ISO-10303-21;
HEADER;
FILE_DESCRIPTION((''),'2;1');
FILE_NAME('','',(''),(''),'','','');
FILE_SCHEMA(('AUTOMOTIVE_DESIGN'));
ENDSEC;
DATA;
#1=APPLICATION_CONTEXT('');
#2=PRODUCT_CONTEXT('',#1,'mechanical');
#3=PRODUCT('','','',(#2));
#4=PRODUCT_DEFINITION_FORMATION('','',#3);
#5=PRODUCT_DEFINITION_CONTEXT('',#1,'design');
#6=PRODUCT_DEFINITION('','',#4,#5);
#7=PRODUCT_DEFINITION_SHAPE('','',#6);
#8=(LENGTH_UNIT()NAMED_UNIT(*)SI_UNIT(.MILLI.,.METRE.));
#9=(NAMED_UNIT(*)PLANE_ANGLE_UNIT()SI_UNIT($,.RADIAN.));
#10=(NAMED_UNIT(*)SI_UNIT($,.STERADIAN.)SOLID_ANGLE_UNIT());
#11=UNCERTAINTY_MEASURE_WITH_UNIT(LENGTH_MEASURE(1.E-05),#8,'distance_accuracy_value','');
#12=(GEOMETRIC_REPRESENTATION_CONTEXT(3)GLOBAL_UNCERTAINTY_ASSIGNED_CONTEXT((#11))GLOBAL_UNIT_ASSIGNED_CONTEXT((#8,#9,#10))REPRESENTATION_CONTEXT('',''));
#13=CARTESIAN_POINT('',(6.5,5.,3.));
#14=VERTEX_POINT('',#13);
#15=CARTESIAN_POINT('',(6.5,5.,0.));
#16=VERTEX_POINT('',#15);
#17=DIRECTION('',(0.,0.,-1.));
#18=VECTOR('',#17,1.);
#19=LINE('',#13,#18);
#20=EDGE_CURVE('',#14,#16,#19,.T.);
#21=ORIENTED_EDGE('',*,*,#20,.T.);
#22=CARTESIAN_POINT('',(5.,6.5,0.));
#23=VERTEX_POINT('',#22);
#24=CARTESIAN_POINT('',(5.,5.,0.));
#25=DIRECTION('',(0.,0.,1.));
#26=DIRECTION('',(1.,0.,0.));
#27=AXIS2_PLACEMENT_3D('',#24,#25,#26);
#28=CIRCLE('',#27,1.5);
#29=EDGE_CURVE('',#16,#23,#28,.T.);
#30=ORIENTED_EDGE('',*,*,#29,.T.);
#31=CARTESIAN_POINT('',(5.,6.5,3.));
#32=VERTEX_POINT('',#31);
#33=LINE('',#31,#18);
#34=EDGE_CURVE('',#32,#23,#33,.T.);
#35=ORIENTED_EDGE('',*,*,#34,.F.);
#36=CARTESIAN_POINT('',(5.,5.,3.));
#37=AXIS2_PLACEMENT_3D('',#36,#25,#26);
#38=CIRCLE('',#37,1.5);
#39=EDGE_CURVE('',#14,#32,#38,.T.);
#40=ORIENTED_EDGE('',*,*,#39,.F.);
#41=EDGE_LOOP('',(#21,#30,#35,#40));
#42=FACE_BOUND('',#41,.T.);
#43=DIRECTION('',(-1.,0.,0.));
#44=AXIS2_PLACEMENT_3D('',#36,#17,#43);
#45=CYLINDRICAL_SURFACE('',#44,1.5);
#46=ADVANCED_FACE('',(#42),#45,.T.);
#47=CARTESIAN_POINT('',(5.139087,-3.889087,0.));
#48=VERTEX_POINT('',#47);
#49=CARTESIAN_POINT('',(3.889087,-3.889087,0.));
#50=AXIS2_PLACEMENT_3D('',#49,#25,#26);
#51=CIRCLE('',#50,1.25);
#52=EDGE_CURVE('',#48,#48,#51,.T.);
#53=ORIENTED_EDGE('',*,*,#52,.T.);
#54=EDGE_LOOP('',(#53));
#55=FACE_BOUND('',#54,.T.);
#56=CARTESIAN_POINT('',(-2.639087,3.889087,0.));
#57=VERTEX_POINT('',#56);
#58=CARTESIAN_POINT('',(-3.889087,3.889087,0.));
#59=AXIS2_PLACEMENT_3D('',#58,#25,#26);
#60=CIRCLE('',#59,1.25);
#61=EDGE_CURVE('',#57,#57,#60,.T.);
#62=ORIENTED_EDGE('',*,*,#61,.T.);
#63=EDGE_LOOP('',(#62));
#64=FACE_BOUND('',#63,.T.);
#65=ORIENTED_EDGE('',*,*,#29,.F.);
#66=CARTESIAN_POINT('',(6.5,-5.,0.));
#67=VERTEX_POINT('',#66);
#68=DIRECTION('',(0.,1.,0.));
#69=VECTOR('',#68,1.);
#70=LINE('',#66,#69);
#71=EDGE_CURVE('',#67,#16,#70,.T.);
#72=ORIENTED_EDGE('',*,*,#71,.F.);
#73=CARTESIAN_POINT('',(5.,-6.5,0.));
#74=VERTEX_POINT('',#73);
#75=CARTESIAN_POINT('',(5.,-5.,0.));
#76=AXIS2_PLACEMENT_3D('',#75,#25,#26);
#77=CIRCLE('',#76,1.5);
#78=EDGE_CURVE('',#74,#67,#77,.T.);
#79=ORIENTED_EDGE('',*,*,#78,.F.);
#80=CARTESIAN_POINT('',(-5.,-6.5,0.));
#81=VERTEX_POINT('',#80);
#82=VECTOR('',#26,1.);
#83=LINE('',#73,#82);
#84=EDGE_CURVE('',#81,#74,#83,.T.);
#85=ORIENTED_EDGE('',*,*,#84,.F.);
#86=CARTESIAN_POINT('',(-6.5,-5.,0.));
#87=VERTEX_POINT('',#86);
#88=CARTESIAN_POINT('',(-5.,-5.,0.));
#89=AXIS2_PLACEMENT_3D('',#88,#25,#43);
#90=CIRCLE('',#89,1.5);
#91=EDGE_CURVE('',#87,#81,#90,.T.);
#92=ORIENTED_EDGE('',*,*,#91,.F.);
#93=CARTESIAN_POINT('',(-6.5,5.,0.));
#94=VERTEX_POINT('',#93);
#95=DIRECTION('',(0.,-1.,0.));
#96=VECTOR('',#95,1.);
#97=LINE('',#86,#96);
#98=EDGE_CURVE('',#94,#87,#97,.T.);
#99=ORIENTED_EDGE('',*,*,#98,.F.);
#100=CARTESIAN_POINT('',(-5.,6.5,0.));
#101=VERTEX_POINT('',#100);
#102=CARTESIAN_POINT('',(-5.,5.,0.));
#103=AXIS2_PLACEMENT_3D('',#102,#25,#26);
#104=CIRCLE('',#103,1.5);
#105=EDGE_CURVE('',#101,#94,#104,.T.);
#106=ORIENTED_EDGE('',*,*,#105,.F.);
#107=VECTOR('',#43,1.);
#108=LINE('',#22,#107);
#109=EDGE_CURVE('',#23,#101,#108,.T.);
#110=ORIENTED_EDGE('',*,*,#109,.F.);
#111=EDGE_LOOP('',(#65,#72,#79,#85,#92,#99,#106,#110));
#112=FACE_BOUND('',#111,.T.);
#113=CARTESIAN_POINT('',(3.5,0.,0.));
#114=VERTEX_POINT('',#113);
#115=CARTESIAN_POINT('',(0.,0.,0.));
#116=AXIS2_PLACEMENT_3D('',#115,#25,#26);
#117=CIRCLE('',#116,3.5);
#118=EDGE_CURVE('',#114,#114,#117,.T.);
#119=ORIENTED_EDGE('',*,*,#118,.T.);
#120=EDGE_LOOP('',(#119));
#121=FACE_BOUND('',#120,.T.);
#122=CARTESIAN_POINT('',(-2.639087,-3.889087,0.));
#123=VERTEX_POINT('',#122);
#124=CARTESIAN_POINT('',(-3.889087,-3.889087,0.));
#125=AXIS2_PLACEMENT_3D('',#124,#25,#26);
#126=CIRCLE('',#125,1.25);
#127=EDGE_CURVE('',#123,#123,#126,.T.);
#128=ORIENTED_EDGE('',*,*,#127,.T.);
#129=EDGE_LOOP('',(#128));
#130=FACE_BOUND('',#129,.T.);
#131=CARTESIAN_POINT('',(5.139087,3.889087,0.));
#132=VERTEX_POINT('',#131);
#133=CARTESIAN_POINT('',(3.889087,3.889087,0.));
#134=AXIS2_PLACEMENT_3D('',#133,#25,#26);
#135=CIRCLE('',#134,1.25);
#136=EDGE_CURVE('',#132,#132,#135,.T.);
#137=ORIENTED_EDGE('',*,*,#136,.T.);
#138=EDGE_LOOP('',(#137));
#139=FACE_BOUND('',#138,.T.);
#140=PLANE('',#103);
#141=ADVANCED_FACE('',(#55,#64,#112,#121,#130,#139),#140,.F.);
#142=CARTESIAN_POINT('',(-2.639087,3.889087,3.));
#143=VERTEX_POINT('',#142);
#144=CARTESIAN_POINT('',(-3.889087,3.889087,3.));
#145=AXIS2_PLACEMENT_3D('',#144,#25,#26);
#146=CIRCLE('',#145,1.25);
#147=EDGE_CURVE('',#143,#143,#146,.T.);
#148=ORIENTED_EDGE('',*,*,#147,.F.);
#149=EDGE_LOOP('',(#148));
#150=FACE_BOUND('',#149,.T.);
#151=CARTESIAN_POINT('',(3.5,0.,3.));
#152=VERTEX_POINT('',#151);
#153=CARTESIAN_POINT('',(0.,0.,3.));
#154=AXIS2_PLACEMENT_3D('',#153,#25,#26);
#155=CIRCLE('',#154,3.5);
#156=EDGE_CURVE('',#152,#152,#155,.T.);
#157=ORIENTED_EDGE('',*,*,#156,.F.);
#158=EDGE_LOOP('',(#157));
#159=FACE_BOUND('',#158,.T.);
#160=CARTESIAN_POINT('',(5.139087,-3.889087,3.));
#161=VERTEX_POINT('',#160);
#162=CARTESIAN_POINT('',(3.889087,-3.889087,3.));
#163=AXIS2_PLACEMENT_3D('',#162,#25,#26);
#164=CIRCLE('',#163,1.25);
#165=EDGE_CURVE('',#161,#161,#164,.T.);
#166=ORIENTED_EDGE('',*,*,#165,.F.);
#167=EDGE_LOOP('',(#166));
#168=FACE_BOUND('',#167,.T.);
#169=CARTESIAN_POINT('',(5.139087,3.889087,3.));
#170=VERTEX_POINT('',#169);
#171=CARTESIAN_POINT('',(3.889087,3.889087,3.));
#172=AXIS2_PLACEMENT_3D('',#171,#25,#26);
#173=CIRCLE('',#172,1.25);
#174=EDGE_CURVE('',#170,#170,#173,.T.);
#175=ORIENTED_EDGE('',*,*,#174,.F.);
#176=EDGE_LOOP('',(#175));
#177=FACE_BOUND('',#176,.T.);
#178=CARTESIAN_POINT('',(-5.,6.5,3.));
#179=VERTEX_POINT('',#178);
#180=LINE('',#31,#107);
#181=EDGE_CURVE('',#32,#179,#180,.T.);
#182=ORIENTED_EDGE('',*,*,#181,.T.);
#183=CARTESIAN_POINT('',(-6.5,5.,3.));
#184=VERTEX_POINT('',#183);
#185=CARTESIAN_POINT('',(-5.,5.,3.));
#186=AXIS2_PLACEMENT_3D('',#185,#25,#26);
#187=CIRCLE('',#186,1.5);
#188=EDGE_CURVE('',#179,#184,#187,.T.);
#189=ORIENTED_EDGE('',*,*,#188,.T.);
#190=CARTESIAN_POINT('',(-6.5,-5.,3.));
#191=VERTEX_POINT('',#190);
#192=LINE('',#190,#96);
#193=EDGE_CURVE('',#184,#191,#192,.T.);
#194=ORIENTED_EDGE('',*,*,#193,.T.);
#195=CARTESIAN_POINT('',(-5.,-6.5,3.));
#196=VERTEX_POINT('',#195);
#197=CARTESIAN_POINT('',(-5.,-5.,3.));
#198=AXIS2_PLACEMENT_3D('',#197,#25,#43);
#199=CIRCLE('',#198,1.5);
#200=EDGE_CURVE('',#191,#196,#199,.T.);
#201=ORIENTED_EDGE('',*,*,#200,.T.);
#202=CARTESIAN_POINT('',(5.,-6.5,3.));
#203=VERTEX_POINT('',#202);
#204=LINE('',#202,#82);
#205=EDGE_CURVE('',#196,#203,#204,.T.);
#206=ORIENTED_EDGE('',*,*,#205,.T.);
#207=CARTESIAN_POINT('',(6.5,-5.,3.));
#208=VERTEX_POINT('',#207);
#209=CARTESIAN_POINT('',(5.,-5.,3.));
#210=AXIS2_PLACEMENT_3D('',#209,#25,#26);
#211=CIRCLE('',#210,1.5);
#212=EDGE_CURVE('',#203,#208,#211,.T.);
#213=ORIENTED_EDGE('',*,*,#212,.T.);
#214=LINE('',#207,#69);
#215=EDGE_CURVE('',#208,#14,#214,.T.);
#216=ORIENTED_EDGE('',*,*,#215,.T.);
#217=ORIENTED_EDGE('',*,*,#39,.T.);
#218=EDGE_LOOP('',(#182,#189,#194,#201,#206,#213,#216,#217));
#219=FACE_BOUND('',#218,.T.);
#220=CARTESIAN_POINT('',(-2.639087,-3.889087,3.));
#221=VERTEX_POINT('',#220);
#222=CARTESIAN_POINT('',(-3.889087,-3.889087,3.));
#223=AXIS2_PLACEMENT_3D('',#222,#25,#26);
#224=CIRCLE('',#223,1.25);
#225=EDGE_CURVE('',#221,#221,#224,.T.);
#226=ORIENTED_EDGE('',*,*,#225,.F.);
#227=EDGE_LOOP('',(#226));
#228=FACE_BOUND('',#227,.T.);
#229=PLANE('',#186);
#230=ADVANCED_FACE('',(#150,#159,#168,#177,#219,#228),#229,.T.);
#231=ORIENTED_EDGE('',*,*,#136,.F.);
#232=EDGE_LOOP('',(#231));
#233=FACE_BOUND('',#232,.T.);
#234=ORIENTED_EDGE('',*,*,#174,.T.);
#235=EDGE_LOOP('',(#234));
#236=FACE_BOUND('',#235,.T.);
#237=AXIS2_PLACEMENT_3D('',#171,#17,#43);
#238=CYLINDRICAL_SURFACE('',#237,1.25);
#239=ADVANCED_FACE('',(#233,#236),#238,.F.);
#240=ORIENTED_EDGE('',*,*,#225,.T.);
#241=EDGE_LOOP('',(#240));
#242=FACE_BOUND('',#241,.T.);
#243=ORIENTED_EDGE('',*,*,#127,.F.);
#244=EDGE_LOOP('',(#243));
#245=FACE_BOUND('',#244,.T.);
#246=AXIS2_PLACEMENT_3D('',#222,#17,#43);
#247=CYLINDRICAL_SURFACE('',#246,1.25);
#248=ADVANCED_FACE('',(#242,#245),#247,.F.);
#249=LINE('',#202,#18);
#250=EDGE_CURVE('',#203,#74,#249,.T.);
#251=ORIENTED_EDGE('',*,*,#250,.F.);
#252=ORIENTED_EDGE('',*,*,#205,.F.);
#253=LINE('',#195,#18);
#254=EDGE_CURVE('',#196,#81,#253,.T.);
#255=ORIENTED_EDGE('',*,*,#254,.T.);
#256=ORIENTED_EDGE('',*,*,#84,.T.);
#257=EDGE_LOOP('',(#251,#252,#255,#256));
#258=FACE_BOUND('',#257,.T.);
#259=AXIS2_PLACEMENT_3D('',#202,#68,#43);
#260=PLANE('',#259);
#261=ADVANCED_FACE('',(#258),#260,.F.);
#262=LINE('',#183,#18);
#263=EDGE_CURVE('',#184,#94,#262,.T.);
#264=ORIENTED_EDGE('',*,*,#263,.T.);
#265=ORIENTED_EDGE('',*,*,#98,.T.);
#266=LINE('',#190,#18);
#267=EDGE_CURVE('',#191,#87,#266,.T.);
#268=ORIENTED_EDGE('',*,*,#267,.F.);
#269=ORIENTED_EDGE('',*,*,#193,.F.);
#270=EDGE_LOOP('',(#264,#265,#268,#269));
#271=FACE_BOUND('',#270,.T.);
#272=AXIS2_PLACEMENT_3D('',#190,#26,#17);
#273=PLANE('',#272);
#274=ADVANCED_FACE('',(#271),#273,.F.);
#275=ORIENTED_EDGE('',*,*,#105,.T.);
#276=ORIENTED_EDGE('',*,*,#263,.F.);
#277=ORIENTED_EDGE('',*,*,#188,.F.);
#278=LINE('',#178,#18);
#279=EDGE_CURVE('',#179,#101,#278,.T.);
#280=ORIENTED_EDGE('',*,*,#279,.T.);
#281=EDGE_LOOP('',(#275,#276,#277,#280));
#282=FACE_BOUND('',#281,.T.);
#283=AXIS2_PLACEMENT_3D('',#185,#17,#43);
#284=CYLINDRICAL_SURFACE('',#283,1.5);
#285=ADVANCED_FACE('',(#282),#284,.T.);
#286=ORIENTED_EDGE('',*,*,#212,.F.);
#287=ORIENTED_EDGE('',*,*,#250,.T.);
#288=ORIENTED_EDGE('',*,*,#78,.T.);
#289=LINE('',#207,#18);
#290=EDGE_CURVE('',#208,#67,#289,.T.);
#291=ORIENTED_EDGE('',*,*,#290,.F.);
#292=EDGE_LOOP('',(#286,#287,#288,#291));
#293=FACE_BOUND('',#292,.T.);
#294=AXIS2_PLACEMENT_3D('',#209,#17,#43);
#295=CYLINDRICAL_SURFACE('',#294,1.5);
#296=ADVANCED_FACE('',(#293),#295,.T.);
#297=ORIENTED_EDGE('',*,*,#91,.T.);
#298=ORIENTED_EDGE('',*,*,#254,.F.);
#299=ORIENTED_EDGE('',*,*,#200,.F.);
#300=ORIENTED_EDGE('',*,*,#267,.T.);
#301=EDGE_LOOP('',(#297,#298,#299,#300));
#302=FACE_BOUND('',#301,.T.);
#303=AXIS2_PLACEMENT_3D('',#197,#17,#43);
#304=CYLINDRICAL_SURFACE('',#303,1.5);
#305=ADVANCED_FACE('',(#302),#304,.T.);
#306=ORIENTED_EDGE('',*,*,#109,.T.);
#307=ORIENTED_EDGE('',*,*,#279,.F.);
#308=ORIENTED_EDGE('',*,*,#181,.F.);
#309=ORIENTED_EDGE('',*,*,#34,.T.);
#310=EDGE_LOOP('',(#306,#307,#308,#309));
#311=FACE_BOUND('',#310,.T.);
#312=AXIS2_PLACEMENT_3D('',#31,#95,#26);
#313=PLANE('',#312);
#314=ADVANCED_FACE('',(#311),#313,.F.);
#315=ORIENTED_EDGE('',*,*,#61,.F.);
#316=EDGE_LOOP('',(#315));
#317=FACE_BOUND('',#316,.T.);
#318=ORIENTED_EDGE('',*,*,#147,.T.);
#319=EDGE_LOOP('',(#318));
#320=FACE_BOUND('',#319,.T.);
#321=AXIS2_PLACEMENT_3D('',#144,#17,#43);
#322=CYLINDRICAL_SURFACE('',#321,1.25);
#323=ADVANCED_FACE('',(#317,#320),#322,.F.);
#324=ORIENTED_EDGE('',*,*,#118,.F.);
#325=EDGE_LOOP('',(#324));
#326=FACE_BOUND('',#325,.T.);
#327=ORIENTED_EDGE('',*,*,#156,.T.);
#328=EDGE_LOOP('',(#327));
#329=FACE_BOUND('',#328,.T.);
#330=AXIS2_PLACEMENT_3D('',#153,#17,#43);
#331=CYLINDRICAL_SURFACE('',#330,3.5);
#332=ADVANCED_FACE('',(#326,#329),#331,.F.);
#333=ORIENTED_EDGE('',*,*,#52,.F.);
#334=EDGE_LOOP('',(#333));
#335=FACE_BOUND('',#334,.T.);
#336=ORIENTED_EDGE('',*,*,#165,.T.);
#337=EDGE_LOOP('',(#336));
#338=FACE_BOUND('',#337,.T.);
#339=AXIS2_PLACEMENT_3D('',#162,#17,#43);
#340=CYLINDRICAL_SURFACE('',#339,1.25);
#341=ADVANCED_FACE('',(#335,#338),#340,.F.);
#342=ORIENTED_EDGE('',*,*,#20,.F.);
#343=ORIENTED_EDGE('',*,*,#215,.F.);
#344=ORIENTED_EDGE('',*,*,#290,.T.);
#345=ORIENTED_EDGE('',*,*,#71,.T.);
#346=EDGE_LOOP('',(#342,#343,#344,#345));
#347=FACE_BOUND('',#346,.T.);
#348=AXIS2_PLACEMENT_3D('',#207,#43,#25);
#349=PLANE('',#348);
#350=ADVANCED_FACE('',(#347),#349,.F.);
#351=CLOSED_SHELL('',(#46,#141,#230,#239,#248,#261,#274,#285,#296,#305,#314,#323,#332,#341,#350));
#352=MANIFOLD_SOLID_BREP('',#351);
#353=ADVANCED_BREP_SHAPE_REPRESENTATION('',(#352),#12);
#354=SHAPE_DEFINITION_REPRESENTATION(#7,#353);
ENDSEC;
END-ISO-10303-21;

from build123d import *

# Parameters (mm, degrees)
SKETCH1_R           = 3.5
SKETCH1_R_2         = 1.25
BOSS_EXTRUDE1_DEPTH = 3


with BuildPart() as part:
    # Sketch1 → Boss-Extrude1 (new body)
    with BuildSketch(Plane.XY):
        with BuildLine():
            Line((5, -6.5), (-5, -6.5))
            ThreePointArc((-5, -6.5), (-6.060660172, -6.060660172), (-6.5, -5))
            Line((-6.5, -5), (-6.5, 5))
            ThreePointArc((-6.5, 5), (-6.060660172, 6.060660172), (-5, 6.5))
            Line((-5, 6.5), (5, 6.5))
            ThreePointArc((5, 6.5), (6.060660172, 6.060660172), (6.5, 5))
            Line((6.5, 5), (6.5, -5))
            ThreePointArc((6.5, -5), (6.060660172, -6.060660172), (5, -6.5))
        make_face()
        Circle(SKETCH1_R, mode=Mode.SUBTRACT)
        with Locations((-3.889087297, 3.889087297)):
            Circle(SKETCH1_R_2, mode=Mode.SUBTRACT)
        with Locations((3.889087297, 3.889087297)):
            Circle(SKETCH1_R_2, mode=Mode.SUBTRACT)
        with Locations((3.889087297, -3.889087297)):
            Circle(SKETCH1_R_2, mode=Mode.SUBTRACT)
        with Locations((-3.889087297, -3.889087297)):
            Circle(SKETCH1_R_2, mode=Mode.SUBTRACT)
    extrude(amount=BOSS_EXTRUDE1_DEPTH)


solid = part.part
